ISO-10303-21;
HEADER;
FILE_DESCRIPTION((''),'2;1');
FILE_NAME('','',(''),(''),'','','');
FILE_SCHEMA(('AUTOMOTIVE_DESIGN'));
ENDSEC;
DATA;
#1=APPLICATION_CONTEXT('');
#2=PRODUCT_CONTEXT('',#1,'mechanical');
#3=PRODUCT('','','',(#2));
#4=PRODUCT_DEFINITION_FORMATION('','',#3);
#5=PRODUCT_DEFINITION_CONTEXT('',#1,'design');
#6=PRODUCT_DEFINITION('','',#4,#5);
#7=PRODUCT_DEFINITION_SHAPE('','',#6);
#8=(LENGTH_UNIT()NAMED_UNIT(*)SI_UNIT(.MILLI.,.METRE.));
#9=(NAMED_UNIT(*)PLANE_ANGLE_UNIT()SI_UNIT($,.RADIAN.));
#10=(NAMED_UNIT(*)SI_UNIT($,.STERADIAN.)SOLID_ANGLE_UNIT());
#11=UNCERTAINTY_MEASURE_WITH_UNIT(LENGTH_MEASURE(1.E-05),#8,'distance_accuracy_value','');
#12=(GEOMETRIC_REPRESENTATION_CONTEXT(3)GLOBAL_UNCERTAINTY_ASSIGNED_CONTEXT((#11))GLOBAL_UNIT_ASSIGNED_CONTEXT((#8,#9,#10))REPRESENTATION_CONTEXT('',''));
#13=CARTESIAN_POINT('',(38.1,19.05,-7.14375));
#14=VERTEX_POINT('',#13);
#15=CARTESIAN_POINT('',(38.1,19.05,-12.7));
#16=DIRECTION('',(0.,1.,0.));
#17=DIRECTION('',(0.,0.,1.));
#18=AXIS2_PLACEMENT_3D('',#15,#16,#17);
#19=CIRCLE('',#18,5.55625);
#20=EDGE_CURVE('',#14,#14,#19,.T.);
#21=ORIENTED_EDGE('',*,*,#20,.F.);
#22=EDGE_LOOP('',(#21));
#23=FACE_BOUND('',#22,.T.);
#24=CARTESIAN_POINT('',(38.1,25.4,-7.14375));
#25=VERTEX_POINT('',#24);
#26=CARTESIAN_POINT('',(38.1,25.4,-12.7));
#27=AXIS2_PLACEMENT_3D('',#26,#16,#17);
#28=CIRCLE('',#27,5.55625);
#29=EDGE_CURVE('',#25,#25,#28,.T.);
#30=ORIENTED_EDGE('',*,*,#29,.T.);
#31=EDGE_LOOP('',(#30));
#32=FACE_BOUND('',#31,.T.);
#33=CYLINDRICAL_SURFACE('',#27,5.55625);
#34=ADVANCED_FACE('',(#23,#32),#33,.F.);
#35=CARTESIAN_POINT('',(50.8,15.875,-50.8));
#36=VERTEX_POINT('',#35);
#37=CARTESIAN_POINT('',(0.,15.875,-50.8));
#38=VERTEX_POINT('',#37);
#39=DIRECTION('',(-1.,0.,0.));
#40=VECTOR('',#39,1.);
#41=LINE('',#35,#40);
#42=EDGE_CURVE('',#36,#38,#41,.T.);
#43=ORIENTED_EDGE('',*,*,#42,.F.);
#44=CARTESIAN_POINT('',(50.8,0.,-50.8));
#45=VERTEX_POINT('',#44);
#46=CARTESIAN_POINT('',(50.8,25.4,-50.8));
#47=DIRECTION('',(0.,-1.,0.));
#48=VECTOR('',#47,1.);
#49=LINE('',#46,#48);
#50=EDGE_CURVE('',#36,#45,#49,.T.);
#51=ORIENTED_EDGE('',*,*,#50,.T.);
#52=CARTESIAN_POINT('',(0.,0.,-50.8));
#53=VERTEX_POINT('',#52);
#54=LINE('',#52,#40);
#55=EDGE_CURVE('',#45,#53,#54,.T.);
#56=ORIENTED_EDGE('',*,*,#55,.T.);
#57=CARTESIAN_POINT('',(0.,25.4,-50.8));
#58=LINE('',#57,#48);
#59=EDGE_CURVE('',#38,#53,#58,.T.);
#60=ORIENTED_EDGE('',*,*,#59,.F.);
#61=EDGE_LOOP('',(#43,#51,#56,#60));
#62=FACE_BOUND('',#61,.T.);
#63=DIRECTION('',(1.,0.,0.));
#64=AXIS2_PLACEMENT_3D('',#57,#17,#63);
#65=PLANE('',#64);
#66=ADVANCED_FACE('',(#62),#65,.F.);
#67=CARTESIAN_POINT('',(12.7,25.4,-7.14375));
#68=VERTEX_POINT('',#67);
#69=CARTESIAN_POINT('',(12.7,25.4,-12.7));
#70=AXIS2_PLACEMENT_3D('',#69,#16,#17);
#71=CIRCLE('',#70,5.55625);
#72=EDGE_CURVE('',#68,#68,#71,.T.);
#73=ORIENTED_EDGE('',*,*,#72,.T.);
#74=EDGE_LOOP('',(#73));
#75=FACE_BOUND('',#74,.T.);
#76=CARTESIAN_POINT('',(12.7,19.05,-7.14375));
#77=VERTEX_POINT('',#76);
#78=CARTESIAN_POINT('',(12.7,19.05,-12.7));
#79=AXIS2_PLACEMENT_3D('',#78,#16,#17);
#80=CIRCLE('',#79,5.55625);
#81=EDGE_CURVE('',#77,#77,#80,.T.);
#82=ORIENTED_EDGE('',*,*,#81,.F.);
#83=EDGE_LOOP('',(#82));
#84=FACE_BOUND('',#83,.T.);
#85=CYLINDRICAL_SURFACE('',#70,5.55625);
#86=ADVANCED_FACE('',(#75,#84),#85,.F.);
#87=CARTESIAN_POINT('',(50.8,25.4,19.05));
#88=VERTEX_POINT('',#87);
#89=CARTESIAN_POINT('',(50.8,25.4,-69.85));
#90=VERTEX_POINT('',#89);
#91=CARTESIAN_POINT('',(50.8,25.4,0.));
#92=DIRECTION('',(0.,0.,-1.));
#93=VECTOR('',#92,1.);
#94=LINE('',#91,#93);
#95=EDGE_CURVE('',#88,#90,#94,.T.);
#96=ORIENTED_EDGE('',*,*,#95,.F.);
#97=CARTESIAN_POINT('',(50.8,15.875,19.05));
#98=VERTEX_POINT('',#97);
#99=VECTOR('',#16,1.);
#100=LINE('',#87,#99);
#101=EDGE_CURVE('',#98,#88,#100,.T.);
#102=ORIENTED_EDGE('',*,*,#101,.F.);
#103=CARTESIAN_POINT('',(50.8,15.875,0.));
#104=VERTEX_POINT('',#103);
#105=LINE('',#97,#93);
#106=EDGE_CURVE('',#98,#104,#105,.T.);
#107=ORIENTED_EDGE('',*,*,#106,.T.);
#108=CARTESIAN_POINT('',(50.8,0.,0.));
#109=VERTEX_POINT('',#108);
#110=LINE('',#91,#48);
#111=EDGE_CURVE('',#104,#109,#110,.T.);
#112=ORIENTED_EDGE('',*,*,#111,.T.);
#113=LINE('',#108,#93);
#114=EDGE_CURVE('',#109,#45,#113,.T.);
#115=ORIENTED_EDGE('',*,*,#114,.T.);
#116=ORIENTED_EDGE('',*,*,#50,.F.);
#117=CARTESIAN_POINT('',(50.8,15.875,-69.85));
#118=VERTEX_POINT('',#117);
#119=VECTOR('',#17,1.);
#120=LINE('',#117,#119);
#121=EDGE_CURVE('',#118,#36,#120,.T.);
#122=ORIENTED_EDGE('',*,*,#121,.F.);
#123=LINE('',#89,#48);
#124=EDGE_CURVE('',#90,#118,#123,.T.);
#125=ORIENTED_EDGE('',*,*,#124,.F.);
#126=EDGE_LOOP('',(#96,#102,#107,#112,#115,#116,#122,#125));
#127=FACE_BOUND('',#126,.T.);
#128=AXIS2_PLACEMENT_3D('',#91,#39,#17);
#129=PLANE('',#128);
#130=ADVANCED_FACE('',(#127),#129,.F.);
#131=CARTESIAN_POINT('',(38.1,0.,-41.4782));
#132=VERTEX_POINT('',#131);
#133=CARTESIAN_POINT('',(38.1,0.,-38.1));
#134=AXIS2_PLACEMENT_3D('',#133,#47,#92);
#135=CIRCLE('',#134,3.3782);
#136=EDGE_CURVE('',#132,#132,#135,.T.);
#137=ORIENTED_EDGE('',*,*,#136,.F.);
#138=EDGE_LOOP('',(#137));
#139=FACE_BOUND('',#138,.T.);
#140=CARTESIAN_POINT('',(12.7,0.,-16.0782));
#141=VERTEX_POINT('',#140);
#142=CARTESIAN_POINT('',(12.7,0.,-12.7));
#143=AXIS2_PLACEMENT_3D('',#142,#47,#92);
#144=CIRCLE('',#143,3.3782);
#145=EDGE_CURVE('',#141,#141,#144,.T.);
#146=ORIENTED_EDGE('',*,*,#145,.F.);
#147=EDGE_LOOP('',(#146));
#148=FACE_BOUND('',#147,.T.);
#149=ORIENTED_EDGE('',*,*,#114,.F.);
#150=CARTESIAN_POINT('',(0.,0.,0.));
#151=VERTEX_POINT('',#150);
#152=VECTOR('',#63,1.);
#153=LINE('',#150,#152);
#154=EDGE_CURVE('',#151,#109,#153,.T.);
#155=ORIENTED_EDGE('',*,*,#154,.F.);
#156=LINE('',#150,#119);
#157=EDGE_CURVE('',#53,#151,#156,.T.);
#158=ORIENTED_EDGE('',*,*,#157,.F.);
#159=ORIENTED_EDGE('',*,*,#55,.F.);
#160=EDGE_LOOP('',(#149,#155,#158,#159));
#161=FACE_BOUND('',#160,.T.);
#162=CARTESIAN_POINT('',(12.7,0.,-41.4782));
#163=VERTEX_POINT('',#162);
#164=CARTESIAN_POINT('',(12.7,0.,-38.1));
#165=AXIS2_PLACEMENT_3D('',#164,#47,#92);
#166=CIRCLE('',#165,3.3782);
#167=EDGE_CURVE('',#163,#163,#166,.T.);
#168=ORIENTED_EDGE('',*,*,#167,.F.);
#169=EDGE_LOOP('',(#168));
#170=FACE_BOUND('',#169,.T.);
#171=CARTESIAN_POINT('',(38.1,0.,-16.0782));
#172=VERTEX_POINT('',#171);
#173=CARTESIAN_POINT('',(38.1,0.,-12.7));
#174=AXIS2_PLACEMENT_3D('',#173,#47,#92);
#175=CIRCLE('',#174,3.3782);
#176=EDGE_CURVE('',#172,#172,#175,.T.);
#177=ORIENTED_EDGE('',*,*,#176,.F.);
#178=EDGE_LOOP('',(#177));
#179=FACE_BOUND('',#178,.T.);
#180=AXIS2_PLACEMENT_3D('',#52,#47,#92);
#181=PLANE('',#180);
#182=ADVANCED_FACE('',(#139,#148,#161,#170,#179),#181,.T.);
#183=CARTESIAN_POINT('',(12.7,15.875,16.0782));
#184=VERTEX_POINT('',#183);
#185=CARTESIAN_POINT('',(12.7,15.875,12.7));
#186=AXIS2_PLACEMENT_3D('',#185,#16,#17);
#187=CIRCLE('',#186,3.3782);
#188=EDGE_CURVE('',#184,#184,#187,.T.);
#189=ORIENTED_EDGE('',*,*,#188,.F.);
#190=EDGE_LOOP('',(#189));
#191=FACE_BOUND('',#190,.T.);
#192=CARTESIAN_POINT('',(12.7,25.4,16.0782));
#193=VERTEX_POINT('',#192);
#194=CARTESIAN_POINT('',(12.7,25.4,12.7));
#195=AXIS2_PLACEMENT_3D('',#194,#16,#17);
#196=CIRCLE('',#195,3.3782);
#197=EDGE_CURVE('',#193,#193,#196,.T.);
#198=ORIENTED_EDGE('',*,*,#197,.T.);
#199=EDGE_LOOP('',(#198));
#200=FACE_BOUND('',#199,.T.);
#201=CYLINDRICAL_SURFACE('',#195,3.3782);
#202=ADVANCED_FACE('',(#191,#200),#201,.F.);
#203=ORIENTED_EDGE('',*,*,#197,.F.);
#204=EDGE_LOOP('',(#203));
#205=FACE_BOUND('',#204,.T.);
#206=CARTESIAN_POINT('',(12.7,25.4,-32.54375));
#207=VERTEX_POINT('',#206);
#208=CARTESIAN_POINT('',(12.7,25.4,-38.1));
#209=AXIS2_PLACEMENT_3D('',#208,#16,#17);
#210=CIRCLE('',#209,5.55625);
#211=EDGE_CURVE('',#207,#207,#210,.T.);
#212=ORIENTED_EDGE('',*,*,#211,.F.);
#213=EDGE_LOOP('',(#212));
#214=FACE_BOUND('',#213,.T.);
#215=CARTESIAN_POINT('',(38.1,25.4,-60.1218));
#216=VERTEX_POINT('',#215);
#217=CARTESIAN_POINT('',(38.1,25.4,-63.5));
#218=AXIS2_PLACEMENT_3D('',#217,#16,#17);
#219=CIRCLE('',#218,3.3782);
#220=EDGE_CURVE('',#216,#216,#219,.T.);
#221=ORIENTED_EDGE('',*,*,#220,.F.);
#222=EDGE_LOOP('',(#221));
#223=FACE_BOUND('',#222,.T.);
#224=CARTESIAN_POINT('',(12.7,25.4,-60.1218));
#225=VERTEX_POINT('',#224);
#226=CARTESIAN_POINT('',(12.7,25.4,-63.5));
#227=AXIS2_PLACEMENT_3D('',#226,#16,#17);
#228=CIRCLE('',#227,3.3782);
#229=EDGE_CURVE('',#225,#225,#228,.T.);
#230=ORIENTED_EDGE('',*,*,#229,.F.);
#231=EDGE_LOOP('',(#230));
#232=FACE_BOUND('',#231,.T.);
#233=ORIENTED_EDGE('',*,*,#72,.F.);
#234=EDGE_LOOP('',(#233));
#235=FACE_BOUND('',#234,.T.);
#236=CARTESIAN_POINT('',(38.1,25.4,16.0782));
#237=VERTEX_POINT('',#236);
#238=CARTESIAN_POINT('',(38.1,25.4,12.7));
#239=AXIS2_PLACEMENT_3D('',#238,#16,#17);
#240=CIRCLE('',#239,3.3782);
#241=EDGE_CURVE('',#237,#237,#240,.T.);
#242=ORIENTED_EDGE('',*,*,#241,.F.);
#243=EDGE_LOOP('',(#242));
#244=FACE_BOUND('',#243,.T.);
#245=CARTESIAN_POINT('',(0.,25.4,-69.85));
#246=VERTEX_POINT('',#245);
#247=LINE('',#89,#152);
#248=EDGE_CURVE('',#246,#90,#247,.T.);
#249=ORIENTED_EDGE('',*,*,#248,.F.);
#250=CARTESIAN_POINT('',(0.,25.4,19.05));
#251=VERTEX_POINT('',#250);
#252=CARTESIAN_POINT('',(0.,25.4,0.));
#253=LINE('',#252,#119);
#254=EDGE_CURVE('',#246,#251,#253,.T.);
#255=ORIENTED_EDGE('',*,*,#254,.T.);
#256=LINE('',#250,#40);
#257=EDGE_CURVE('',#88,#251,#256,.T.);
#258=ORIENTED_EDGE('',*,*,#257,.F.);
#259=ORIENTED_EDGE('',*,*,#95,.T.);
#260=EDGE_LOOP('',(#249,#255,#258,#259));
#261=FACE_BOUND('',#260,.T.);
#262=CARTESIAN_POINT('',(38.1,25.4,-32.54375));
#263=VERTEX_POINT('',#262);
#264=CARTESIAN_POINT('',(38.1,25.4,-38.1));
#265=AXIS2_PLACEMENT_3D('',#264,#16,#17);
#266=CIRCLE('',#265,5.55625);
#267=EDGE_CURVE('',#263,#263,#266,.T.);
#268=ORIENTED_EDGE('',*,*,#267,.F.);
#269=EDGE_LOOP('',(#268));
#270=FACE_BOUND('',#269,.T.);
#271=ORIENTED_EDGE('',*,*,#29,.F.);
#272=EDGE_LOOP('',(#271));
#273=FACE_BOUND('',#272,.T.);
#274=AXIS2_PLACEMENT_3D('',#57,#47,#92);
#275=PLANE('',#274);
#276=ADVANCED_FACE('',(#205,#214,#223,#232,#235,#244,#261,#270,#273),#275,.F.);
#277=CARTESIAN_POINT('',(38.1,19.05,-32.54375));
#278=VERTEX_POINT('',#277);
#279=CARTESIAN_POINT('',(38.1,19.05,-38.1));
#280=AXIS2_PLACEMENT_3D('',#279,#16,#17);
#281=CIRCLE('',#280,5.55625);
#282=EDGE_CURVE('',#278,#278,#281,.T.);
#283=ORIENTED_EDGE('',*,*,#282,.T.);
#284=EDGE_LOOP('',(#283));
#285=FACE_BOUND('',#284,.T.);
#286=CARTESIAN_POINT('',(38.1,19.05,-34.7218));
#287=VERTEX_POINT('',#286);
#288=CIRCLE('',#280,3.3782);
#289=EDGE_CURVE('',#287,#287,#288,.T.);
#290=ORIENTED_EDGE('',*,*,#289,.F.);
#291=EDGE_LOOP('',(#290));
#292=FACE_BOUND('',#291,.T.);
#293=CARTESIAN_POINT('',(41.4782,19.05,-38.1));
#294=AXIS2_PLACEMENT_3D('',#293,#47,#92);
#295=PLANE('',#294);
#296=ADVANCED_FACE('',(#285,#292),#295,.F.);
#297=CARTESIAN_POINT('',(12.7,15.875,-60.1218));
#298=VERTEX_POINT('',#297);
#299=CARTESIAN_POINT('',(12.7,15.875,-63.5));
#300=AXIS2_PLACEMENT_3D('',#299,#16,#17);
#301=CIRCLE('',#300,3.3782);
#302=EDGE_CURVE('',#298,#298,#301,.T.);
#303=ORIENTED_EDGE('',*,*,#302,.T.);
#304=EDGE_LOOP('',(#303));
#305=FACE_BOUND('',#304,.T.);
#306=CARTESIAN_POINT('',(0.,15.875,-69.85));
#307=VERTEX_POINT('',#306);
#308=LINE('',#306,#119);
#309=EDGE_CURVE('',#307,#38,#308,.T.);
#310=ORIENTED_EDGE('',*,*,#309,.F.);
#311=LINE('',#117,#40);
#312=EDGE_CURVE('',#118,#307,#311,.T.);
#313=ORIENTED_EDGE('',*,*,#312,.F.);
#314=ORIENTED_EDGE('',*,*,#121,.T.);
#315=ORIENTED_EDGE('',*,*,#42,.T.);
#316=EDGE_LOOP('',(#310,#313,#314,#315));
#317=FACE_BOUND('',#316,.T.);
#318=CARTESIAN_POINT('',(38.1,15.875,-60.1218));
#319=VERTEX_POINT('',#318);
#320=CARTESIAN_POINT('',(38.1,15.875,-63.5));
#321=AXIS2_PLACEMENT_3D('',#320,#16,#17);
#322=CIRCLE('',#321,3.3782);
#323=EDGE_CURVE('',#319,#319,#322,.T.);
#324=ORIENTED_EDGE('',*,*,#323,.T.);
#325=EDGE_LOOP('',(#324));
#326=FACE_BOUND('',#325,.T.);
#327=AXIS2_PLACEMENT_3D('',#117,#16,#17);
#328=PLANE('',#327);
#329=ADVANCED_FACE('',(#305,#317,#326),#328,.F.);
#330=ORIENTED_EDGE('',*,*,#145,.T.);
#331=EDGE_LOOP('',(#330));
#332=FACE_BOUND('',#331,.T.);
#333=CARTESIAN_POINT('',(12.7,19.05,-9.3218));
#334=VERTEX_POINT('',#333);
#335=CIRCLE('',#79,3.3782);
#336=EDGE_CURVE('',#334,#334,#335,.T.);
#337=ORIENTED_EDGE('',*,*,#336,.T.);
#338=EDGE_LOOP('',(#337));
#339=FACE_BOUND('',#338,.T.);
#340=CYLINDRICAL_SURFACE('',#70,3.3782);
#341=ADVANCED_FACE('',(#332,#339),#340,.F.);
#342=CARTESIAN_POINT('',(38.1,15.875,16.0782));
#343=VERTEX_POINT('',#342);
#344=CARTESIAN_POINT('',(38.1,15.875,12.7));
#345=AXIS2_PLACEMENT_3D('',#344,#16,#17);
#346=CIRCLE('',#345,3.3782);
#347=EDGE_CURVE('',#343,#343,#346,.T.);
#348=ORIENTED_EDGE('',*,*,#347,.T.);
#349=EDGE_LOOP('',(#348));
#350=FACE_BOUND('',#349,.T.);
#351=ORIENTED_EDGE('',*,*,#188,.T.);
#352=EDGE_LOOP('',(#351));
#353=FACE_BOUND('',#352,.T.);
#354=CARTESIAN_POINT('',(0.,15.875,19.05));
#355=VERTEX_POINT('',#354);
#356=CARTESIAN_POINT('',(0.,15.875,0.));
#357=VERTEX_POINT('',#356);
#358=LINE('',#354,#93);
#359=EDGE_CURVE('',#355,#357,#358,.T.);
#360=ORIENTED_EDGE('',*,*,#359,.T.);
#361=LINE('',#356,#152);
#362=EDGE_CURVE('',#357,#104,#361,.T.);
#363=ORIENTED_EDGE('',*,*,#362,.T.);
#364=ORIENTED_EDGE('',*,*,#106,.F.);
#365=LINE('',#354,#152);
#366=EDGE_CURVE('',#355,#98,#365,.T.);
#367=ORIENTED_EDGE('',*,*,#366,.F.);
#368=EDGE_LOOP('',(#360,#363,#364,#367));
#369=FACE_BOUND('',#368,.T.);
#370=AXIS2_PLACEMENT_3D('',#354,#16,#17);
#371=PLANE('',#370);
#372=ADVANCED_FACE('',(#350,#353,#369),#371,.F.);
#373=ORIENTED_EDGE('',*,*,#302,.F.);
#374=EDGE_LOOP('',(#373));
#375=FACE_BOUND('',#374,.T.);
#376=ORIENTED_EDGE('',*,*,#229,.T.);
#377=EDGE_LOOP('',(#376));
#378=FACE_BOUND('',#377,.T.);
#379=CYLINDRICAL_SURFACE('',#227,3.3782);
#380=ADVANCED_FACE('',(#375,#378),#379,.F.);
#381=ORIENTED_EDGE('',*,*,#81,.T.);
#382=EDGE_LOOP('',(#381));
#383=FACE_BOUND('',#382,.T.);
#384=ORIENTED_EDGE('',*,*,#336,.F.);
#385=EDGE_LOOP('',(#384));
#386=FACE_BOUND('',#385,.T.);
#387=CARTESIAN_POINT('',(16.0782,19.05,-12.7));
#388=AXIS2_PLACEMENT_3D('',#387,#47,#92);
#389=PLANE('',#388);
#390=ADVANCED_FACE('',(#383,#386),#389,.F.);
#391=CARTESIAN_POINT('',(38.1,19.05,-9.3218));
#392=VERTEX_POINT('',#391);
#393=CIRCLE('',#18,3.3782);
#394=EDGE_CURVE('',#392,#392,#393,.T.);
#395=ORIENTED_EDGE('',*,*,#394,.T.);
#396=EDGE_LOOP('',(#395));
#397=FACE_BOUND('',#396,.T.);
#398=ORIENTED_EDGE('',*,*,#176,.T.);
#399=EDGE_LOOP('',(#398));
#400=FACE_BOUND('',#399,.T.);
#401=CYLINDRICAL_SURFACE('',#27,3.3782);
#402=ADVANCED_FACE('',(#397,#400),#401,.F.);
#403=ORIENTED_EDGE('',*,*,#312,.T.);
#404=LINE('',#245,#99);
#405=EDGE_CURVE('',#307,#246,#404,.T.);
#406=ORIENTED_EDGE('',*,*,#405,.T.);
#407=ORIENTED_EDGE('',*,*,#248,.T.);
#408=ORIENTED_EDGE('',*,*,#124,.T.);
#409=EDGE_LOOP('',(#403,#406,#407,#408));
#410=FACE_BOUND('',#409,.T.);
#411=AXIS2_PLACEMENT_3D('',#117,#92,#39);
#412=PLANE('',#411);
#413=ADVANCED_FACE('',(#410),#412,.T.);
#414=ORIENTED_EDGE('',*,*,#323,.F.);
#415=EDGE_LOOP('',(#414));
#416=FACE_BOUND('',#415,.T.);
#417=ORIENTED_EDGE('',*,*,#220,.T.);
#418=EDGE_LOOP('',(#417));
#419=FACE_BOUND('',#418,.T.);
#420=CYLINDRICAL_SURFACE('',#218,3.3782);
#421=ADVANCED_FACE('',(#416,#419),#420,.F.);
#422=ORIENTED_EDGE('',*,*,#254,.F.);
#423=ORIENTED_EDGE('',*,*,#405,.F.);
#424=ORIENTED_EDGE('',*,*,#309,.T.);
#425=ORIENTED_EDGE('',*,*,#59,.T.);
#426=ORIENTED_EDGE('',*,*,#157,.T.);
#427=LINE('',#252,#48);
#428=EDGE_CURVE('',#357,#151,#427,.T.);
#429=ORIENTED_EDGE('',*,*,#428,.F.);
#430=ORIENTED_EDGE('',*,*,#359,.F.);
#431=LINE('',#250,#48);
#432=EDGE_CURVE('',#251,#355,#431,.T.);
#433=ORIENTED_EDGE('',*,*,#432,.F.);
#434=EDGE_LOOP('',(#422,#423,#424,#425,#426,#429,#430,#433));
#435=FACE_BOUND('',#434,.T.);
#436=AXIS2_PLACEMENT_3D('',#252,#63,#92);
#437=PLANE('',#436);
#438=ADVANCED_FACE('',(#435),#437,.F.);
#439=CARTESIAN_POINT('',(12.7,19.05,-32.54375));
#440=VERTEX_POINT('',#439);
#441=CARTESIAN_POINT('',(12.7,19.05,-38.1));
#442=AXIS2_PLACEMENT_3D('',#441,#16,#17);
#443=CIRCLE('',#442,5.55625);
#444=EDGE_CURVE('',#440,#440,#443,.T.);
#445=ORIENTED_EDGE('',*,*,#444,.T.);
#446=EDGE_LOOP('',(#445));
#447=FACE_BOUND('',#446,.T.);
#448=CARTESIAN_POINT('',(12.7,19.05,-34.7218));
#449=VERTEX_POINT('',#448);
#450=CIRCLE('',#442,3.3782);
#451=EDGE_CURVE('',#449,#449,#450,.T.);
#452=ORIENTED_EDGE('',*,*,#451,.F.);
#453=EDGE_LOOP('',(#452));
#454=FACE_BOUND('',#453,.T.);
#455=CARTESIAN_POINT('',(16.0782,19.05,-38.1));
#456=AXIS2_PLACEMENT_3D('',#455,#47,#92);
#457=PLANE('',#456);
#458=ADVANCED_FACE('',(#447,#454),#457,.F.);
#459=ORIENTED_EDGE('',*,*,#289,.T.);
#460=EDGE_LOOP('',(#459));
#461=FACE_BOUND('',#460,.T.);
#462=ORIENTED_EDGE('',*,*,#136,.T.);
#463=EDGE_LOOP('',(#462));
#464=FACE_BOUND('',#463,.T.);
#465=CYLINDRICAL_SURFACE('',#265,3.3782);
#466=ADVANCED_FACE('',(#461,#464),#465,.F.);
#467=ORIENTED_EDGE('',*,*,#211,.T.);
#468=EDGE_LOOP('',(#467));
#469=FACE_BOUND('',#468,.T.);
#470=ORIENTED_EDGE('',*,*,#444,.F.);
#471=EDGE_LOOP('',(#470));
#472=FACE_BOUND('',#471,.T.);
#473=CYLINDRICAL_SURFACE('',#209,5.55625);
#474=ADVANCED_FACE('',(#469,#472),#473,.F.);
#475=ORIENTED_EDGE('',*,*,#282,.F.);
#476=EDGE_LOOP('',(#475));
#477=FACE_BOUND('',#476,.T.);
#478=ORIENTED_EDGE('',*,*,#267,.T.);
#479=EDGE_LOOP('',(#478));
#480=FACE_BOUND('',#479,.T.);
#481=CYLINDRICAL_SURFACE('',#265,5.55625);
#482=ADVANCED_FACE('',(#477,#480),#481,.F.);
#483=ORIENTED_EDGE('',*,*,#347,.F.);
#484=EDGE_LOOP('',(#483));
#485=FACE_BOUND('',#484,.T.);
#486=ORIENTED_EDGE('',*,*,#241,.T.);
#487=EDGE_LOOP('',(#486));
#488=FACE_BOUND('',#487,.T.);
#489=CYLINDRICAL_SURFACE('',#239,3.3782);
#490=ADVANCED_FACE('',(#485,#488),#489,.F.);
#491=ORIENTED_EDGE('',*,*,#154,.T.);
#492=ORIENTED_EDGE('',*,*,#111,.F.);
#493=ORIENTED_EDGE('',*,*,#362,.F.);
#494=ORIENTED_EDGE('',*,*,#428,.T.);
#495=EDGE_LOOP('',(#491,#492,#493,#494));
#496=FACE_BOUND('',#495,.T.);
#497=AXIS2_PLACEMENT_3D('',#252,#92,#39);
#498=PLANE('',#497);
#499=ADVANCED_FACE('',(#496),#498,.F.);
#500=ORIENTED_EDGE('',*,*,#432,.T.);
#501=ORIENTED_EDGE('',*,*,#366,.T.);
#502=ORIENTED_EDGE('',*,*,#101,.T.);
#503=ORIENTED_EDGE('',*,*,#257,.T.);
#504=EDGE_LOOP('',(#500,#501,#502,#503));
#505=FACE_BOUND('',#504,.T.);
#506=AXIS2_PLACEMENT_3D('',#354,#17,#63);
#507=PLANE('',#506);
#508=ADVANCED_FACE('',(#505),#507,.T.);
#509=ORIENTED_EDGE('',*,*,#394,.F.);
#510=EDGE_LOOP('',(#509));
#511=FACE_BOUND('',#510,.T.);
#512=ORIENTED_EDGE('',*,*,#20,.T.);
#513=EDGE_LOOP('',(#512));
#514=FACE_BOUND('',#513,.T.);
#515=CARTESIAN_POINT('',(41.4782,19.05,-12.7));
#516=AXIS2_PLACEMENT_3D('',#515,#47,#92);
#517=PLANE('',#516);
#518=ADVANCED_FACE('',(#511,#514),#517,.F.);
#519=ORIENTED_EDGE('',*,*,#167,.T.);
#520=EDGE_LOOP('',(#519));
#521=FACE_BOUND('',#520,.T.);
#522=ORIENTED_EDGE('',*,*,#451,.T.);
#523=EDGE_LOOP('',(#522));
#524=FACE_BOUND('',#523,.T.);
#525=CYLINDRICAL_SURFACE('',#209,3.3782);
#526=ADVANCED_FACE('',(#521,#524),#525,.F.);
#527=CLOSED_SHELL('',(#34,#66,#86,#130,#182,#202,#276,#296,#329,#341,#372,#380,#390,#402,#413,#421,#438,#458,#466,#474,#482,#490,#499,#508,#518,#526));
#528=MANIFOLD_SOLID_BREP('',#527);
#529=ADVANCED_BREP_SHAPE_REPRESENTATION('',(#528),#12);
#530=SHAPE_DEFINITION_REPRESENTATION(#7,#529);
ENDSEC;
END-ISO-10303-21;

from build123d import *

# Parameters (mm, degrees)
SKETCH1_W                                        = 50.8
SKETCH1_H                                        = 50.8
BOSS_EXTRUDE1_DEPTH                              = 25.4
SKETCH7_W                                        = 50.8
SKETCH7_H                                        = 9.525
BOSS_EXTRUDE2_DEPTH                              = 19.05
SKETCH11_W                                       = 50.8
SKETCH11_H                                       = 9.525
BOSS_EXTRUDE3_DEPTH                              = 19.05
F_1_4_CLEARANCE_HOLE1_D                          = 6.7564
CBORE_FOR_1_4_SOCKET_HEAD_CAP_SCREW1_D           = 6.7564
CBORE_FOR_1_4_SOCKET_HEAD_CAP_SCREW1_CBORE_D     = 11.1125
CBORE_FOR_1_4_SOCKET_HEAD_CAP_SCREW1_CBORE_DEPTH = 6.35
LPATTERN1_COUNT                                  = 4
LPATTERN1_PITCH                                  = 25.4
LPATTERN1_COUNT_DIR2                             = 2
LPATTERN1_PITCH_DIR2                             = 25.4
LPATTERN2_COUNT                                  = 2
LPATTERN2_PITCH                                  = 25.4
LPATTERN2_COUNT_DIR2                             = 2
LPATTERN2_PITCH_DIR2                             = 25.4


with BuildPart() as part:
    # Sketch1 → Boss-Extrude1 (new body)
    with BuildSketch(Plane(origin=(0, 0, 0), x_dir=(1, 0, 0), z_dir=(0, 1, 0))):
        with Locations((25.4, 25.4)):
            Rectangle(SKETCH1_W, SKETCH1_H)
    extrude(amount=BOSS_EXTRUDE1_DEPTH)

    # Sketch7 → Boss-Extrude2 (add)
    with BuildSketch(Plane(origin=(0, 0, -50.8), x_dir=(-1, 0, 0), z_dir=(0, 0, -1))):
        with Locations((-25.4, 20.6375)):
            Rectangle(SKETCH7_W, SKETCH7_H)
    extrude(amount=BOSS_EXTRUDE2_DEPTH)

    # Sketch11 → Boss-Extrude3 (add)
    with BuildSketch(Plane.XY):
        with Locations((25.4, 20.6375)):
            Rectangle(SKETCH11_W, SKETCH11_H)
    extrude(amount=BOSS_EXTRUDE3_DEPTH)

    # 1/4 Clearance Hole1 (through all)
    with Locations(Plane(origin=(0, 25.4, 0), x_dir=(-1, 0, 0), z_dir=(0, 1, 0))):
        with Locations((-12.7, -63.5)):
            f_1_4_clearance_hole1 = Hole(F_1_4_CLEARANCE_HOLE1_D / 2)

    # CBORE for 1/4 Socket Head Cap Screw1 (through all)
    with Locations(Plane(origin=(0, 25.4, 0), x_dir=(-1, 0, 0), z_dir=(0, 1, 0))):
        with Locations((-12.7, -12.7)):
            cbore_for_1_4_socket_head_cap_screw1 = CounterBoreHole(CBORE_FOR_1_4_SOCKET_HEAD_CAP_SCREW1_D / 2, CBORE_FOR_1_4_SOCKET_HEAD_CAP_SCREW1_CBORE_D / 2, CBORE_FOR_1_4_SOCKET_HEAD_CAP_SCREW1_CBORE_DEPTH)

    # LPattern1: 1_4 Clearance Hole1 4 × 2
    with Locations(*[(j * LPATTERN1_PITCH_DIR2, 0, i * LPATTERN1_PITCH) for i in range(LPATTERN1_COUNT) for j in range(LPATTERN1_COUNT_DIR2) if (i, j) != (0, 0)]):
        add(f_1_4_clearance_hole1, mode=Mode.SUBTRACT)

    # LPattern2: CBORE for 1_4 Socket Head Cap Screw1 2 × 2
    with Locations(*[(j * LPATTERN2_PITCH_DIR2, 0, -i * LPATTERN2_PITCH) for i in range(LPATTERN2_COUNT) for j in range(LPATTERN2_COUNT_DIR2) if (i, j) != (0, 0)]):
        add(cbore_for_1_4_socket_head_cap_screw1, mode=Mode.SUBTRACT)


solid = part.part
